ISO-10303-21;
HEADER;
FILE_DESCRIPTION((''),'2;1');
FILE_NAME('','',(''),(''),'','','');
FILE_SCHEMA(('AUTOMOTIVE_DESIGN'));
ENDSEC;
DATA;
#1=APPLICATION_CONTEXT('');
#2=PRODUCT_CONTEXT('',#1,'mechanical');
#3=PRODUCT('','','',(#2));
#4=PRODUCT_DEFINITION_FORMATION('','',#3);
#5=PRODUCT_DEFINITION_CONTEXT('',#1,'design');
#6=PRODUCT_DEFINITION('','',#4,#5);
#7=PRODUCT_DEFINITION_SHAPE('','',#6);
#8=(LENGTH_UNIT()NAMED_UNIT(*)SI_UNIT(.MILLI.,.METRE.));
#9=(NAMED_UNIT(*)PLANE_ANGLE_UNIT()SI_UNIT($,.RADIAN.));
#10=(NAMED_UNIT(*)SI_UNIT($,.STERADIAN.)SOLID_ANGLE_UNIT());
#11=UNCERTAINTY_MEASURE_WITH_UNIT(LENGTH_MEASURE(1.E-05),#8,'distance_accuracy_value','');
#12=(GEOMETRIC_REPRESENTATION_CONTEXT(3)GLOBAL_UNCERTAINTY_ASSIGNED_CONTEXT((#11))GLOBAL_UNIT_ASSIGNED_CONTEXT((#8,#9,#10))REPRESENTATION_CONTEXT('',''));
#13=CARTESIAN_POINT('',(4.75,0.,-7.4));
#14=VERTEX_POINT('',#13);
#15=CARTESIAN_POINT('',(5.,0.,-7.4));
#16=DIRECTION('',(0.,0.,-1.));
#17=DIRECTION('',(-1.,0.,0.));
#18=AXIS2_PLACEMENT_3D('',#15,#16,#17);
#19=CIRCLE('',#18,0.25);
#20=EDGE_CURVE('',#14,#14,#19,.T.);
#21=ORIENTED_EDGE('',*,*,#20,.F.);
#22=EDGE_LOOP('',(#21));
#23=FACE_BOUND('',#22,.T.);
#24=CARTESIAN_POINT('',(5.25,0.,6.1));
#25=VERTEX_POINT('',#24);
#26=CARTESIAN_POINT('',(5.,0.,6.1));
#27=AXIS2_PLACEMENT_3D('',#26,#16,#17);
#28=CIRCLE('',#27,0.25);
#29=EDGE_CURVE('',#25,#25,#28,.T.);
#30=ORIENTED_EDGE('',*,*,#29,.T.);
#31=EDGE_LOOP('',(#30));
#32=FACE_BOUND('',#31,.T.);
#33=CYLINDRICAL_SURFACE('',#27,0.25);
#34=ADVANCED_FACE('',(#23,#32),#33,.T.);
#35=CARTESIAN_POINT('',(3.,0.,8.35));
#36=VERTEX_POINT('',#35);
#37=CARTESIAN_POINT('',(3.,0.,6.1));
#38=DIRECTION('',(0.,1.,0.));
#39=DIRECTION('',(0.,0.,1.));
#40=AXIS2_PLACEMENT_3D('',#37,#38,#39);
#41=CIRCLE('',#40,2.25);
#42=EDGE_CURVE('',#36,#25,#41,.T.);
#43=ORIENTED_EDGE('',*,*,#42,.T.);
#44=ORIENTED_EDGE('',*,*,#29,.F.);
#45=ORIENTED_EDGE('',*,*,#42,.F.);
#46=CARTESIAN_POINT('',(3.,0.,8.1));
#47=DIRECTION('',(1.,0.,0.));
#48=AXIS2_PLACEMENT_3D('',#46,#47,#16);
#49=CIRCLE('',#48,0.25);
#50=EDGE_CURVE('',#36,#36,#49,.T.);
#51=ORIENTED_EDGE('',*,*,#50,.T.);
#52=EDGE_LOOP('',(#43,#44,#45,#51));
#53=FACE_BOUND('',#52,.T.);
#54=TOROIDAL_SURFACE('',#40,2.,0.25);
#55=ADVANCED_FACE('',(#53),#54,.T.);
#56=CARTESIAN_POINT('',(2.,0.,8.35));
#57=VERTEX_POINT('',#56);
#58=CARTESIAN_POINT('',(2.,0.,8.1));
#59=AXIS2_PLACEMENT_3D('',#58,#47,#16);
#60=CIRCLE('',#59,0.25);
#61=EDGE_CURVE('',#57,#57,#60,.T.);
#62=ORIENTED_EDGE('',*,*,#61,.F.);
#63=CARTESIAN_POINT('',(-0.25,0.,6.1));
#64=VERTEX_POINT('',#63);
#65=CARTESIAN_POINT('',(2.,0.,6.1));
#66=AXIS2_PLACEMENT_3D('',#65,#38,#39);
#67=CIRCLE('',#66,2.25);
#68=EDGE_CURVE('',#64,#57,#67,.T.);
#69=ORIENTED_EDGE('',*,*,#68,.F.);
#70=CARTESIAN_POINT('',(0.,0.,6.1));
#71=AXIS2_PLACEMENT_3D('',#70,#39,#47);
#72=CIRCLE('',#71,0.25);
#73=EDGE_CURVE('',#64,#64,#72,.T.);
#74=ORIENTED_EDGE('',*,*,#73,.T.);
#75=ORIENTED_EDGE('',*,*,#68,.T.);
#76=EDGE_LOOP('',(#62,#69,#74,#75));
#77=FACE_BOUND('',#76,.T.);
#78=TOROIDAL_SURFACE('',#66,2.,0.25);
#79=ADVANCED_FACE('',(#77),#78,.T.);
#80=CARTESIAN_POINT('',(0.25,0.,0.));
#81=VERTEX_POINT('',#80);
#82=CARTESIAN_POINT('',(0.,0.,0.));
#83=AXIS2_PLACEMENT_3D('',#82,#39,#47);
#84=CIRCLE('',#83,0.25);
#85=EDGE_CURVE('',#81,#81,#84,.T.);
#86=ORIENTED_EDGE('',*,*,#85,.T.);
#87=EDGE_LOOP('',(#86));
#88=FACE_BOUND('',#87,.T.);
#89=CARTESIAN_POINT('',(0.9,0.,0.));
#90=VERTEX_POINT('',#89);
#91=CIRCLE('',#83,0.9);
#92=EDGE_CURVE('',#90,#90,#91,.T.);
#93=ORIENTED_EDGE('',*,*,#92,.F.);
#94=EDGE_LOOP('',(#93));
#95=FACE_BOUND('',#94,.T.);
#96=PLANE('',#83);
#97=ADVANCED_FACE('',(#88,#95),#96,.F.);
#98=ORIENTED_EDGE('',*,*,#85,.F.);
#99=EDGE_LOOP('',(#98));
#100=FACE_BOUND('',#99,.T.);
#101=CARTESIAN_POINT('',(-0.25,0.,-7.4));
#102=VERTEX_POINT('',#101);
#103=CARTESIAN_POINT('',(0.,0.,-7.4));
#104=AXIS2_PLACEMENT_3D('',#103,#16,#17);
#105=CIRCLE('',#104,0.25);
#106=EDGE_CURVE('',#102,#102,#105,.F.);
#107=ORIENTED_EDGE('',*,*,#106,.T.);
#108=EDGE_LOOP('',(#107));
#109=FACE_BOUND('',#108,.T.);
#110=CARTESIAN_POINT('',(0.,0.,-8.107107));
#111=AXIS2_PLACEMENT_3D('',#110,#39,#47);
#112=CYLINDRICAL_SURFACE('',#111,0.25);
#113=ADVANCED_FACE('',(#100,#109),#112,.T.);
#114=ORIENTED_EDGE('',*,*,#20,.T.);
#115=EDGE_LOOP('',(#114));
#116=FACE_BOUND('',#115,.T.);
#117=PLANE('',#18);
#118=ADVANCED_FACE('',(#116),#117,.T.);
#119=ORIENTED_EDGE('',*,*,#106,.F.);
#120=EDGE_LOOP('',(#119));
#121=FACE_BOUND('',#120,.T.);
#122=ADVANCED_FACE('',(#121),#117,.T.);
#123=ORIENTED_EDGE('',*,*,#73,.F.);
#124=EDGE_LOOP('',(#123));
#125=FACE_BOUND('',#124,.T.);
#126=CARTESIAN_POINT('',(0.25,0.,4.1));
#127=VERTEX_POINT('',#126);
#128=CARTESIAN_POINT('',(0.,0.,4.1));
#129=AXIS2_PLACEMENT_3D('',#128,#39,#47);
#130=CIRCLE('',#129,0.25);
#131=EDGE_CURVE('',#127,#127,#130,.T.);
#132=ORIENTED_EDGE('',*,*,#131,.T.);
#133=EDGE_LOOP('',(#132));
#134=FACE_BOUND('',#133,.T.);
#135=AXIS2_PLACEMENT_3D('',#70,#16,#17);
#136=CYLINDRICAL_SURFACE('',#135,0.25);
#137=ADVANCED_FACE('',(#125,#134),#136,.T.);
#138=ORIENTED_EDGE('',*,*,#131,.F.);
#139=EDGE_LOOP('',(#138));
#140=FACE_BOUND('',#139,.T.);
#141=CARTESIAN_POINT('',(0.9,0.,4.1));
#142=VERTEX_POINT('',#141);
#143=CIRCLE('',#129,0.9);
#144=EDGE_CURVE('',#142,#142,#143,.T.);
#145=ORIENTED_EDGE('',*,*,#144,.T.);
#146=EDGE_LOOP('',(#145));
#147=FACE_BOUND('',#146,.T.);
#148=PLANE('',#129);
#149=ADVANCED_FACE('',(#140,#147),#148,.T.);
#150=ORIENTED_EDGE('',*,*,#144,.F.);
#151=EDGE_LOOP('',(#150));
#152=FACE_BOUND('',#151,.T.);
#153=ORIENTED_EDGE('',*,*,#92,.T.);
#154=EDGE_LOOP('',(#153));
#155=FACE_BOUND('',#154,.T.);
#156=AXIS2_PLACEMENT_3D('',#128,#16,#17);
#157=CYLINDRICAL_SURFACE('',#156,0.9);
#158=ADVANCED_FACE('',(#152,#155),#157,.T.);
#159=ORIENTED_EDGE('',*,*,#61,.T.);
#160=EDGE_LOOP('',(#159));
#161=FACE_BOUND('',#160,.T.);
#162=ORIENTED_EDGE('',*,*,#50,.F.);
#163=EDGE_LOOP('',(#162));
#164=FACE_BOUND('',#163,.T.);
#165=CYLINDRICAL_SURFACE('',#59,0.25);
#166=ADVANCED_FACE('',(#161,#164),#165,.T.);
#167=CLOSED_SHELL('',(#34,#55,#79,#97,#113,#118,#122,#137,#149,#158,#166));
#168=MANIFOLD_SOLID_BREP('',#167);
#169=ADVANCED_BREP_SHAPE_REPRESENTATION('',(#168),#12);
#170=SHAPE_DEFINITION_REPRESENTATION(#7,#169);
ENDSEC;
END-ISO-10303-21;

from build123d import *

# Parameters (mm, degrees)
SKETCH2_R           = 0.9
RESISTOR_BODY_DEPTH = 4.1
LEAD1_PROFILE_R     = 0.25
LEAD2_START         = -7.4
SKETCH6_R           = 0.25
LEAD2_DEPTH         = 7.4


with BuildPart() as part:
    # Sketch2 → Resistor Body (new body)
    with BuildSketch(Plane.XY):
        Circle(SKETCH2_R)
    extrude(amount=RESISTOR_BODY_DEPTH)

    # Lead1: sweep along a path in Lead1 Path
    with BuildLine(Plane(origin=(0, 0, 0), x_dir=(1, 0, 0), z_dir=(0, 1, 0))) as lead1_path:
        Line((5, 7.4), (5, -6.1))
        ThreePointArc((5, -6.1), (4.414213562, -7.514213562), (3, -8.1))
        Line((3, -8.1), (2, -8.1))
        ThreePointArc((2, -8.1), (0.585786438, -7.514213562), (0, -6.1))
        Line((0, -6.1), (0, -4.1))
    # Lead1 Profile → Lead1 (sweep)
    with BuildSketch(Plane(origin=(0, 0, 4.1), x_dir=(-1, 0, 0), z_dir=(0, 0, 1))):
        Circle(LEAD1_PROFILE_R)
    sweep(path=lead1_path.line)

    # Sketch6 → Lead2 (add)
    with BuildSketch(Plane.XY.offset(LEAD2_START)):
        Circle(SKETCH6_R)
    extrude(amount=LEAD2_DEPTH)


solid = part.part
